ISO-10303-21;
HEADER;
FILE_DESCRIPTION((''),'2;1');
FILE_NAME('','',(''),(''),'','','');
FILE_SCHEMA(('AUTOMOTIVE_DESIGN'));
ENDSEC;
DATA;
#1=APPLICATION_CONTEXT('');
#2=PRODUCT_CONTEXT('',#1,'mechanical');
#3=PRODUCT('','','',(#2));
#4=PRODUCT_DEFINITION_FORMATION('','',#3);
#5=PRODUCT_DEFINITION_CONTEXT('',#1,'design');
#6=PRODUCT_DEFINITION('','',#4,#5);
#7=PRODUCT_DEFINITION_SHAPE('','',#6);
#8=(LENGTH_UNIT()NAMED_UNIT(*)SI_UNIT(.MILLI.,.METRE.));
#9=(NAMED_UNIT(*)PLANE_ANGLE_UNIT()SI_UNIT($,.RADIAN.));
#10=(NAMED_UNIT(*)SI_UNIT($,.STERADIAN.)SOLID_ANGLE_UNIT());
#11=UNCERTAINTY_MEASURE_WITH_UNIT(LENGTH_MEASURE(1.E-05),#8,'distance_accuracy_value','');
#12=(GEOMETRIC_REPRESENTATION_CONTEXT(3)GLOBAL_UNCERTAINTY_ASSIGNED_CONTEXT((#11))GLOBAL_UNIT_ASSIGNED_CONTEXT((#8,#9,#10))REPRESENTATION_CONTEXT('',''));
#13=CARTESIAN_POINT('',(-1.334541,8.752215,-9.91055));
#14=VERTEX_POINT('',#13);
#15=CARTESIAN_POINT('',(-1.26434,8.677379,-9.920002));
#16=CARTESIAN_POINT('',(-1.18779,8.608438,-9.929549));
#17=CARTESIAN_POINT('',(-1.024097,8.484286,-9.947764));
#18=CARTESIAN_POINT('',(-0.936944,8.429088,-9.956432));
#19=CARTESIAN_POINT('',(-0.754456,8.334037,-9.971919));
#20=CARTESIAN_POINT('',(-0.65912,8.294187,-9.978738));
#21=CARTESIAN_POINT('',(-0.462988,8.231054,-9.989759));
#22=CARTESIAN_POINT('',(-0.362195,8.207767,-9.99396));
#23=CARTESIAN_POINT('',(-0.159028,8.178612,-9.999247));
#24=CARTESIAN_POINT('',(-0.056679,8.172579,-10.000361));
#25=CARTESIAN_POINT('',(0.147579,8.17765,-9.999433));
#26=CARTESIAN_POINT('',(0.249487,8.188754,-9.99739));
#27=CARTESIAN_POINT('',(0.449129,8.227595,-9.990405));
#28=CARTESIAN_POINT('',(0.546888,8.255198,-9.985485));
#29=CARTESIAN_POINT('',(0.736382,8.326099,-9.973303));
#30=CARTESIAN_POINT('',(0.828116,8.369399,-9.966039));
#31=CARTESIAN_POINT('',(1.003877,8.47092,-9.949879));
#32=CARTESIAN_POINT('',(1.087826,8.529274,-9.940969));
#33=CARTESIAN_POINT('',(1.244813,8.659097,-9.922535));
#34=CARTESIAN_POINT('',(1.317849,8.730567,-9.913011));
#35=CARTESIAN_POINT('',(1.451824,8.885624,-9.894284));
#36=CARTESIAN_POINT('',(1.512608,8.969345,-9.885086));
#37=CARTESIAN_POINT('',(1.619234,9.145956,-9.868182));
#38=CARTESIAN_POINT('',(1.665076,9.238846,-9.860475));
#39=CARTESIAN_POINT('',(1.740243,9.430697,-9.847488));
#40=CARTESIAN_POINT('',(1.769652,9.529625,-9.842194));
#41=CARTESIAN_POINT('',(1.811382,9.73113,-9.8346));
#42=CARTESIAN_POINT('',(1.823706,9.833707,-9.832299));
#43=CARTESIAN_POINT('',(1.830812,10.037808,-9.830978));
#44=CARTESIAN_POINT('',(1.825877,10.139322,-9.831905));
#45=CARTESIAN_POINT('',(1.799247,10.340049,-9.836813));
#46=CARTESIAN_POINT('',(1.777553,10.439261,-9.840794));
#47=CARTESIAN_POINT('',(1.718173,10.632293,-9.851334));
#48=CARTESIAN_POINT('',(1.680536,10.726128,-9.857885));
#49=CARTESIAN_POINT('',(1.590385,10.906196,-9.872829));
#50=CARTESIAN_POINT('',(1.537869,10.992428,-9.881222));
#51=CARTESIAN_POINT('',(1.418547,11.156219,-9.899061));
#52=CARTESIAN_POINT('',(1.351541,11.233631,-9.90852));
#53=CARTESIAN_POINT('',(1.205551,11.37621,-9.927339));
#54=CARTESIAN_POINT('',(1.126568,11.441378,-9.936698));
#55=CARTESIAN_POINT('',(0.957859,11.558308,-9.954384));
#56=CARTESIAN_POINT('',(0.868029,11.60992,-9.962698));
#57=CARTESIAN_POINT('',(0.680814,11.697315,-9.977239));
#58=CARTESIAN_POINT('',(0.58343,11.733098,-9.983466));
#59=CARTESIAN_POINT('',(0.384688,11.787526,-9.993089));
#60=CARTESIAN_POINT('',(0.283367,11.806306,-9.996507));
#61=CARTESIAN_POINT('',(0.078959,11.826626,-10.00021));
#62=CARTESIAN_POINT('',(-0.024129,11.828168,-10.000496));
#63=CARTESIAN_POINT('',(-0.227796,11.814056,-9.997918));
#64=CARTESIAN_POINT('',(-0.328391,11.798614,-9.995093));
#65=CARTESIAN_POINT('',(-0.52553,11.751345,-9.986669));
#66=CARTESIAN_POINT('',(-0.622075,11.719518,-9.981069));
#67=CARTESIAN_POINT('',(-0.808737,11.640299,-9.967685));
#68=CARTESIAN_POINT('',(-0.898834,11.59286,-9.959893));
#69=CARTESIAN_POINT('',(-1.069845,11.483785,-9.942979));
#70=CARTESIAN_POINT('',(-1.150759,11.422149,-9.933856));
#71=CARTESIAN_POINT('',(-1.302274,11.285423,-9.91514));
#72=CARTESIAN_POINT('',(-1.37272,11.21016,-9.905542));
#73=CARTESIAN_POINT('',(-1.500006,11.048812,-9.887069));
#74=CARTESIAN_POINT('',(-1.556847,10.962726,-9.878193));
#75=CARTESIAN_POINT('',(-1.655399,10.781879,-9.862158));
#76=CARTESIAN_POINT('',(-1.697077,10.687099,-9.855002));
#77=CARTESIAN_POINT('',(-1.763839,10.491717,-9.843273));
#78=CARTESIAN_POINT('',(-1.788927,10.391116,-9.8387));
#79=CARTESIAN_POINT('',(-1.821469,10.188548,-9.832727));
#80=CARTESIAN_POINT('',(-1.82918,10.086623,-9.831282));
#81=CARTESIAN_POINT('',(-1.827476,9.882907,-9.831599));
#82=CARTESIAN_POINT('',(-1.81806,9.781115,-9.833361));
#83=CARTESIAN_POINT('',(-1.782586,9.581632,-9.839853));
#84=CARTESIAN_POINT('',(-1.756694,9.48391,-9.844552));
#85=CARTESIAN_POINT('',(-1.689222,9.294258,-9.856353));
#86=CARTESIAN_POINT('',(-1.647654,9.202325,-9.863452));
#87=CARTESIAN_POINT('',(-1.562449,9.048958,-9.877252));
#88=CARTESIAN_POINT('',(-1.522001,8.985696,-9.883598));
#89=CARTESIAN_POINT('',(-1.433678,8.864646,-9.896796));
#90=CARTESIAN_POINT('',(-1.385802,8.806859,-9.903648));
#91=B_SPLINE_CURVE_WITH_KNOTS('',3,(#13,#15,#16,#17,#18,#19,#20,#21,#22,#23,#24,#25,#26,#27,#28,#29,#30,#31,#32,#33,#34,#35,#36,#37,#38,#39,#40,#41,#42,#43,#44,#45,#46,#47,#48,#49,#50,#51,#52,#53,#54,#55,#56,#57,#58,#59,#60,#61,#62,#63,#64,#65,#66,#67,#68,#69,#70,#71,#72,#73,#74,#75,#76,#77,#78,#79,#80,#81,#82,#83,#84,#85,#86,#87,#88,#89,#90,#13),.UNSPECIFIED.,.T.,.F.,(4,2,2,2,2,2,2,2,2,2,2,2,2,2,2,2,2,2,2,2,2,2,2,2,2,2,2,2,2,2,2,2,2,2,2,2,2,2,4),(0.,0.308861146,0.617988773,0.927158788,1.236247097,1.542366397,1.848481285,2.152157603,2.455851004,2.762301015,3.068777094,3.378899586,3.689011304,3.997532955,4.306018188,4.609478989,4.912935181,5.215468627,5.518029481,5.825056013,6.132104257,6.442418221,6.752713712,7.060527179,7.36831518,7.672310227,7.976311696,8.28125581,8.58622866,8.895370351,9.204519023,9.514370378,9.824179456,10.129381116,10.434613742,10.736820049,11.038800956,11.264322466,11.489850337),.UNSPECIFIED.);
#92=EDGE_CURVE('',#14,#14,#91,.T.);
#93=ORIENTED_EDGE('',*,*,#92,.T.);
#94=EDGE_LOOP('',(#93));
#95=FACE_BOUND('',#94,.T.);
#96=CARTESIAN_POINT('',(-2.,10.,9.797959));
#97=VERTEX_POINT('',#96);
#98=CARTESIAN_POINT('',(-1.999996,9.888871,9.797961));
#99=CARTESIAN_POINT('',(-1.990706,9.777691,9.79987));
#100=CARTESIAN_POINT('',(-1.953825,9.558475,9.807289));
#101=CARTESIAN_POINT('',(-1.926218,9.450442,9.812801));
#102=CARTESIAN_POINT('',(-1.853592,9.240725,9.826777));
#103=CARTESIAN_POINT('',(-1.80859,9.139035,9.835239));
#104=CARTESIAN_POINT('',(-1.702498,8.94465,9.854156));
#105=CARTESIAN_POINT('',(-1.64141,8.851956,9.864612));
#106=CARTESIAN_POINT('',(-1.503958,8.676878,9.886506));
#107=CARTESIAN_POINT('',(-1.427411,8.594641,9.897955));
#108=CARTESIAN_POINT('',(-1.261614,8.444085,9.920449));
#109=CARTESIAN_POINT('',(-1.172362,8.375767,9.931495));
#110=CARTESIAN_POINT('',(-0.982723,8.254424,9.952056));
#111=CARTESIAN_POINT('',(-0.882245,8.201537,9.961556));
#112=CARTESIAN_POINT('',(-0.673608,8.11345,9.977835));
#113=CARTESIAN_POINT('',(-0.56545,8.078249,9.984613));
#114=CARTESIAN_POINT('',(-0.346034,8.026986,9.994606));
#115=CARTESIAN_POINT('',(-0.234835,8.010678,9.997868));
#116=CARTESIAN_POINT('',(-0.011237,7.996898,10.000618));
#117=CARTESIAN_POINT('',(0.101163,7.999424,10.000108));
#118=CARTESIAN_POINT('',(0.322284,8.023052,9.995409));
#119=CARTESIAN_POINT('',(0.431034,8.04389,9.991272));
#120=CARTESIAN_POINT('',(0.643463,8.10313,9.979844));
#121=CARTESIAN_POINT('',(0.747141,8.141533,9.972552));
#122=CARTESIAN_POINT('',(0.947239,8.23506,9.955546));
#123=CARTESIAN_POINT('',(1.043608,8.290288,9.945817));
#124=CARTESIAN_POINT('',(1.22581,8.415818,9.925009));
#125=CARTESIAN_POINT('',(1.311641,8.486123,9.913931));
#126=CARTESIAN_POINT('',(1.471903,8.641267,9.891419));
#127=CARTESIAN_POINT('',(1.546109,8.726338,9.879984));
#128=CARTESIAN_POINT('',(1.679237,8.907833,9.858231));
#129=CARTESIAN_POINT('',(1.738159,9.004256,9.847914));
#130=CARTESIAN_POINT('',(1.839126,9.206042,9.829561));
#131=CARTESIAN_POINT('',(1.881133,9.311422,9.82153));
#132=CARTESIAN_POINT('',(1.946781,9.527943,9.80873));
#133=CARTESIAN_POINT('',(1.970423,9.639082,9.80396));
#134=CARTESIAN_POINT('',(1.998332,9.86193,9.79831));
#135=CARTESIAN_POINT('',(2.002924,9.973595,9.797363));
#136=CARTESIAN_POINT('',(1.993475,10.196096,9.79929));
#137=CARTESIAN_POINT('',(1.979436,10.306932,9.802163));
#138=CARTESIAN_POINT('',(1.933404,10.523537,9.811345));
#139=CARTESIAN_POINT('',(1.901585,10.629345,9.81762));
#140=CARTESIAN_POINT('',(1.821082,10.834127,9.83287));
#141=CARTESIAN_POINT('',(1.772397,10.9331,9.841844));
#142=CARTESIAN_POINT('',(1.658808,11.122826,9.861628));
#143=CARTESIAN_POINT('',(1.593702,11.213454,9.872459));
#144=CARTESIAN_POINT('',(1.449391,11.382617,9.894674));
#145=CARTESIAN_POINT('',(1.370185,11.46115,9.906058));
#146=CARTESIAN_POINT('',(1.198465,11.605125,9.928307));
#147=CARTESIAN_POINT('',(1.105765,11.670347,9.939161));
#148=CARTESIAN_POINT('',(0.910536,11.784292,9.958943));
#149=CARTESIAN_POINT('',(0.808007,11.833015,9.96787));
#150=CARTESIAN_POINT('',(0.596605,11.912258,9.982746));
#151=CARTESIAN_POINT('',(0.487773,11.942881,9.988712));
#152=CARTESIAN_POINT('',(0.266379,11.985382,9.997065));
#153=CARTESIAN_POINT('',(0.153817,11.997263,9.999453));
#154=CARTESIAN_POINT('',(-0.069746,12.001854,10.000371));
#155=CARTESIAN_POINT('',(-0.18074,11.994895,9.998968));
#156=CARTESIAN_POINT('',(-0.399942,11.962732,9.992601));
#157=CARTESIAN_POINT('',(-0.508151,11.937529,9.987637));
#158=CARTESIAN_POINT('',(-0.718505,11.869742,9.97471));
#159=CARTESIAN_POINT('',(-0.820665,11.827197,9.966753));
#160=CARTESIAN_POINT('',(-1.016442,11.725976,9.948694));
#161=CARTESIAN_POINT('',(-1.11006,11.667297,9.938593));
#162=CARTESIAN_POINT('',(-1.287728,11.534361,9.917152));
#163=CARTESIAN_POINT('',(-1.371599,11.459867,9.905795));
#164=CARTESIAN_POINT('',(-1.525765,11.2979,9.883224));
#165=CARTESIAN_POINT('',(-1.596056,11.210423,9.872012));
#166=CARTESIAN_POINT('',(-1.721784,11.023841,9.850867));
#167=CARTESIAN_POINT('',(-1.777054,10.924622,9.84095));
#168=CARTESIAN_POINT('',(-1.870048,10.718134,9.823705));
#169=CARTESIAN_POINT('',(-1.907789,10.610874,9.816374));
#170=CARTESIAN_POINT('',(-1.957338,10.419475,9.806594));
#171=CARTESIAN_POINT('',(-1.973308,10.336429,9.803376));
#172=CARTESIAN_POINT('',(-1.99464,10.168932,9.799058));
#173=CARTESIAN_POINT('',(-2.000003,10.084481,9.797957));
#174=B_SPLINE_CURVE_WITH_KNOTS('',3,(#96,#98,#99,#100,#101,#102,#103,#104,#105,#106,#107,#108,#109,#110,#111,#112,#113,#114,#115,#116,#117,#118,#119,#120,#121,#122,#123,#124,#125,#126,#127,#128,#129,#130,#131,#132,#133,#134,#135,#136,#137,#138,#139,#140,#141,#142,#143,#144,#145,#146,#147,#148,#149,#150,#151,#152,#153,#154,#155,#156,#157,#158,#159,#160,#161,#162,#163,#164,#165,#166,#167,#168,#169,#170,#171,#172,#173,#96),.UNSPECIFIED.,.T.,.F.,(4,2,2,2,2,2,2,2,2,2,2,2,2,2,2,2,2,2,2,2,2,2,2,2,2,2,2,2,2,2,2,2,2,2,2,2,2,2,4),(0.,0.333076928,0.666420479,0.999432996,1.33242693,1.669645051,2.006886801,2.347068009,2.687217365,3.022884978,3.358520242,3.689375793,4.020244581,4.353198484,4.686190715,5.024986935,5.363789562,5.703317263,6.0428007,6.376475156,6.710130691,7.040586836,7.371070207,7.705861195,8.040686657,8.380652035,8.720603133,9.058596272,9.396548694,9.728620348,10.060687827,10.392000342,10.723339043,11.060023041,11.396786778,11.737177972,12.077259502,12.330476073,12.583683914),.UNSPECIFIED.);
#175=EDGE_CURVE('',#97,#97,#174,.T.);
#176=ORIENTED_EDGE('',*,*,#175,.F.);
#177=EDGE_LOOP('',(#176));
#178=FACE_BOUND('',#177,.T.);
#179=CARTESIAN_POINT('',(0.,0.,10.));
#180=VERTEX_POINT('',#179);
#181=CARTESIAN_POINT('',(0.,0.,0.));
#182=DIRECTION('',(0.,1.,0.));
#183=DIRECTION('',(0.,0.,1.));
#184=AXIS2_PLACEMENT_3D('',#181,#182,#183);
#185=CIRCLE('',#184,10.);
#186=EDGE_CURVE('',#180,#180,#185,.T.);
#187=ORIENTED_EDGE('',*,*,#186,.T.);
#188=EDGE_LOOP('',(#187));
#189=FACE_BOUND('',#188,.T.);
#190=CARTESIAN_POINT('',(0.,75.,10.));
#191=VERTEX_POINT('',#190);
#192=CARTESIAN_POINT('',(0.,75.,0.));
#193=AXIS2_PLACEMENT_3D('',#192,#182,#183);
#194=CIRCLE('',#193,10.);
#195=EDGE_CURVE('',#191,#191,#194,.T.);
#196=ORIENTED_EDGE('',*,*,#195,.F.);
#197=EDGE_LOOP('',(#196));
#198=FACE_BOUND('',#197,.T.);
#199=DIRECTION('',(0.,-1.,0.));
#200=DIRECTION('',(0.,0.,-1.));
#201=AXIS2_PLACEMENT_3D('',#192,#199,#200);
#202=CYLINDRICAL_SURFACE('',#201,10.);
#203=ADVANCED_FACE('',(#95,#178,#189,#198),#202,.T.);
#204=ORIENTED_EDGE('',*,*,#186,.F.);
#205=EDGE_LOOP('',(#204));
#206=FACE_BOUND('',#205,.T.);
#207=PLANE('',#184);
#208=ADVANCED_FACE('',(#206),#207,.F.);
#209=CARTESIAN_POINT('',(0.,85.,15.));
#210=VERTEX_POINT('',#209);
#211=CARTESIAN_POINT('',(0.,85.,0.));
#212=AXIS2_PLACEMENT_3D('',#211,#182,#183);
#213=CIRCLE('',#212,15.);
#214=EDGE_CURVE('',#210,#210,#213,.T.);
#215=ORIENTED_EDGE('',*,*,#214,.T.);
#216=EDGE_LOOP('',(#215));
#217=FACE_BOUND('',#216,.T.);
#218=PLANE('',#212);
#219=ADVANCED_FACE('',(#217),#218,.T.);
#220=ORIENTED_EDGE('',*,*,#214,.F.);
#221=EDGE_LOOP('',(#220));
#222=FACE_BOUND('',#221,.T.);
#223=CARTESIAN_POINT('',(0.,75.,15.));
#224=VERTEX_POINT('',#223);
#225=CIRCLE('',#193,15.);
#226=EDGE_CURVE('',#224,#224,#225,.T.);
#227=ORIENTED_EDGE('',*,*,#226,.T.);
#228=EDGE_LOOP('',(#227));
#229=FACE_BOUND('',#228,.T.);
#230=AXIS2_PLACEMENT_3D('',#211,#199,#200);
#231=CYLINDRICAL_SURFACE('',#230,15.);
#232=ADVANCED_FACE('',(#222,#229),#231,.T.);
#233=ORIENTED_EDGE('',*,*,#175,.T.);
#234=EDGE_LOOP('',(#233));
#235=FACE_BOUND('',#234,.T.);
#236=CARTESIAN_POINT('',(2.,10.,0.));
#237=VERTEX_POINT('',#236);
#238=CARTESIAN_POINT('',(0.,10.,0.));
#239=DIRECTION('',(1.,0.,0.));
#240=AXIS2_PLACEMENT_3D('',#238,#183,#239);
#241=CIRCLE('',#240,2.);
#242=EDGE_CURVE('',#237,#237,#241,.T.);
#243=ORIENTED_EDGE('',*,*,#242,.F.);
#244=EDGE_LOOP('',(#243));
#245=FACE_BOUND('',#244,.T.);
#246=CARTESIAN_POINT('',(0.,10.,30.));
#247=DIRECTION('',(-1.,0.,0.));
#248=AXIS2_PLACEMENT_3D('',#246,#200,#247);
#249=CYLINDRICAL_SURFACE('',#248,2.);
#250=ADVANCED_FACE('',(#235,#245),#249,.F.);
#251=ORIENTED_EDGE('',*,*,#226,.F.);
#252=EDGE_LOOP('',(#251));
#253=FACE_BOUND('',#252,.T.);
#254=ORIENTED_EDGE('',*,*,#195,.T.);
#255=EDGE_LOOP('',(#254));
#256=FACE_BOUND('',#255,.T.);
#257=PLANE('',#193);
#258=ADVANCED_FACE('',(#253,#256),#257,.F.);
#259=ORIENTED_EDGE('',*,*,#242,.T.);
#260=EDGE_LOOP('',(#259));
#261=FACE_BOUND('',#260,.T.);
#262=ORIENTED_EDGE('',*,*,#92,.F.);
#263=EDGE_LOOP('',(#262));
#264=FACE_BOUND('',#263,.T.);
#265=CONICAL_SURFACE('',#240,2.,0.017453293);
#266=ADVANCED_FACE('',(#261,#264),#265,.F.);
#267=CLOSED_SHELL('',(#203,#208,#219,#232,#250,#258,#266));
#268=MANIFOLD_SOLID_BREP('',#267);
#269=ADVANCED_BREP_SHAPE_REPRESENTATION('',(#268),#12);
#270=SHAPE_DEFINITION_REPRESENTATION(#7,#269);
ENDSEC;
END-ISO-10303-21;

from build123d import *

# Parameters (mm, degrees)
SKETCH1_R                    = 10
BOSS_EXTRUDE1_DEPTH          = 75
SKETCH2_R                    = 15
BOSS_EXTRUDE2_DEPTH          = 10
SKETCH3_R                    = 2
CUT_EXTRUDE1_DEPTH           = 30
CUT_EXTRUDE1_TAPER           = 1
CUT_EXTRUDE1_OTHER_WAY_DEPTH = 30


with BuildPart() as part:
    # Sketch1 → Boss-Extrude1 (new body)
    with BuildSketch(Plane(origin=(0, 0, 0), x_dir=(1, 0, 0), z_dir=(0, 1, 0))):
        Circle(SKETCH1_R)
    extrude(amount=BOSS_EXTRUDE1_DEPTH)

    # Sketch2 → Boss-Extrude2 (add)
    with BuildSketch(Plane(origin=(0, 75, 0), x_dir=(1, 0, 0), z_dir=(0, 1, 0))):
        Circle(SKETCH2_R)
    extrude(amount=BOSS_EXTRUDE2_DEPTH)

    # Sketch3 → Cut-Extrude1 (cut)
    with BuildSketch(Plane.XY):
        with Locations((0, 10)):
            Circle(SKETCH3_R)
    extrude(amount=-CUT_EXTRUDE1_DEPTH, taper=CUT_EXTRUDE1_TAPER, mode=Mode.SUBTRACT)

    # Sketch3 → Cut-Extrude1 other way (cut)
    with BuildSketch(Plane.XY):
        with Locations((0, 10)):
            Circle(SKETCH3_R)
    extrude(amount=CUT_EXTRUDE1_OTHER_WAY_DEPTH, mode=Mode.SUBTRACT)


solid = part.part
